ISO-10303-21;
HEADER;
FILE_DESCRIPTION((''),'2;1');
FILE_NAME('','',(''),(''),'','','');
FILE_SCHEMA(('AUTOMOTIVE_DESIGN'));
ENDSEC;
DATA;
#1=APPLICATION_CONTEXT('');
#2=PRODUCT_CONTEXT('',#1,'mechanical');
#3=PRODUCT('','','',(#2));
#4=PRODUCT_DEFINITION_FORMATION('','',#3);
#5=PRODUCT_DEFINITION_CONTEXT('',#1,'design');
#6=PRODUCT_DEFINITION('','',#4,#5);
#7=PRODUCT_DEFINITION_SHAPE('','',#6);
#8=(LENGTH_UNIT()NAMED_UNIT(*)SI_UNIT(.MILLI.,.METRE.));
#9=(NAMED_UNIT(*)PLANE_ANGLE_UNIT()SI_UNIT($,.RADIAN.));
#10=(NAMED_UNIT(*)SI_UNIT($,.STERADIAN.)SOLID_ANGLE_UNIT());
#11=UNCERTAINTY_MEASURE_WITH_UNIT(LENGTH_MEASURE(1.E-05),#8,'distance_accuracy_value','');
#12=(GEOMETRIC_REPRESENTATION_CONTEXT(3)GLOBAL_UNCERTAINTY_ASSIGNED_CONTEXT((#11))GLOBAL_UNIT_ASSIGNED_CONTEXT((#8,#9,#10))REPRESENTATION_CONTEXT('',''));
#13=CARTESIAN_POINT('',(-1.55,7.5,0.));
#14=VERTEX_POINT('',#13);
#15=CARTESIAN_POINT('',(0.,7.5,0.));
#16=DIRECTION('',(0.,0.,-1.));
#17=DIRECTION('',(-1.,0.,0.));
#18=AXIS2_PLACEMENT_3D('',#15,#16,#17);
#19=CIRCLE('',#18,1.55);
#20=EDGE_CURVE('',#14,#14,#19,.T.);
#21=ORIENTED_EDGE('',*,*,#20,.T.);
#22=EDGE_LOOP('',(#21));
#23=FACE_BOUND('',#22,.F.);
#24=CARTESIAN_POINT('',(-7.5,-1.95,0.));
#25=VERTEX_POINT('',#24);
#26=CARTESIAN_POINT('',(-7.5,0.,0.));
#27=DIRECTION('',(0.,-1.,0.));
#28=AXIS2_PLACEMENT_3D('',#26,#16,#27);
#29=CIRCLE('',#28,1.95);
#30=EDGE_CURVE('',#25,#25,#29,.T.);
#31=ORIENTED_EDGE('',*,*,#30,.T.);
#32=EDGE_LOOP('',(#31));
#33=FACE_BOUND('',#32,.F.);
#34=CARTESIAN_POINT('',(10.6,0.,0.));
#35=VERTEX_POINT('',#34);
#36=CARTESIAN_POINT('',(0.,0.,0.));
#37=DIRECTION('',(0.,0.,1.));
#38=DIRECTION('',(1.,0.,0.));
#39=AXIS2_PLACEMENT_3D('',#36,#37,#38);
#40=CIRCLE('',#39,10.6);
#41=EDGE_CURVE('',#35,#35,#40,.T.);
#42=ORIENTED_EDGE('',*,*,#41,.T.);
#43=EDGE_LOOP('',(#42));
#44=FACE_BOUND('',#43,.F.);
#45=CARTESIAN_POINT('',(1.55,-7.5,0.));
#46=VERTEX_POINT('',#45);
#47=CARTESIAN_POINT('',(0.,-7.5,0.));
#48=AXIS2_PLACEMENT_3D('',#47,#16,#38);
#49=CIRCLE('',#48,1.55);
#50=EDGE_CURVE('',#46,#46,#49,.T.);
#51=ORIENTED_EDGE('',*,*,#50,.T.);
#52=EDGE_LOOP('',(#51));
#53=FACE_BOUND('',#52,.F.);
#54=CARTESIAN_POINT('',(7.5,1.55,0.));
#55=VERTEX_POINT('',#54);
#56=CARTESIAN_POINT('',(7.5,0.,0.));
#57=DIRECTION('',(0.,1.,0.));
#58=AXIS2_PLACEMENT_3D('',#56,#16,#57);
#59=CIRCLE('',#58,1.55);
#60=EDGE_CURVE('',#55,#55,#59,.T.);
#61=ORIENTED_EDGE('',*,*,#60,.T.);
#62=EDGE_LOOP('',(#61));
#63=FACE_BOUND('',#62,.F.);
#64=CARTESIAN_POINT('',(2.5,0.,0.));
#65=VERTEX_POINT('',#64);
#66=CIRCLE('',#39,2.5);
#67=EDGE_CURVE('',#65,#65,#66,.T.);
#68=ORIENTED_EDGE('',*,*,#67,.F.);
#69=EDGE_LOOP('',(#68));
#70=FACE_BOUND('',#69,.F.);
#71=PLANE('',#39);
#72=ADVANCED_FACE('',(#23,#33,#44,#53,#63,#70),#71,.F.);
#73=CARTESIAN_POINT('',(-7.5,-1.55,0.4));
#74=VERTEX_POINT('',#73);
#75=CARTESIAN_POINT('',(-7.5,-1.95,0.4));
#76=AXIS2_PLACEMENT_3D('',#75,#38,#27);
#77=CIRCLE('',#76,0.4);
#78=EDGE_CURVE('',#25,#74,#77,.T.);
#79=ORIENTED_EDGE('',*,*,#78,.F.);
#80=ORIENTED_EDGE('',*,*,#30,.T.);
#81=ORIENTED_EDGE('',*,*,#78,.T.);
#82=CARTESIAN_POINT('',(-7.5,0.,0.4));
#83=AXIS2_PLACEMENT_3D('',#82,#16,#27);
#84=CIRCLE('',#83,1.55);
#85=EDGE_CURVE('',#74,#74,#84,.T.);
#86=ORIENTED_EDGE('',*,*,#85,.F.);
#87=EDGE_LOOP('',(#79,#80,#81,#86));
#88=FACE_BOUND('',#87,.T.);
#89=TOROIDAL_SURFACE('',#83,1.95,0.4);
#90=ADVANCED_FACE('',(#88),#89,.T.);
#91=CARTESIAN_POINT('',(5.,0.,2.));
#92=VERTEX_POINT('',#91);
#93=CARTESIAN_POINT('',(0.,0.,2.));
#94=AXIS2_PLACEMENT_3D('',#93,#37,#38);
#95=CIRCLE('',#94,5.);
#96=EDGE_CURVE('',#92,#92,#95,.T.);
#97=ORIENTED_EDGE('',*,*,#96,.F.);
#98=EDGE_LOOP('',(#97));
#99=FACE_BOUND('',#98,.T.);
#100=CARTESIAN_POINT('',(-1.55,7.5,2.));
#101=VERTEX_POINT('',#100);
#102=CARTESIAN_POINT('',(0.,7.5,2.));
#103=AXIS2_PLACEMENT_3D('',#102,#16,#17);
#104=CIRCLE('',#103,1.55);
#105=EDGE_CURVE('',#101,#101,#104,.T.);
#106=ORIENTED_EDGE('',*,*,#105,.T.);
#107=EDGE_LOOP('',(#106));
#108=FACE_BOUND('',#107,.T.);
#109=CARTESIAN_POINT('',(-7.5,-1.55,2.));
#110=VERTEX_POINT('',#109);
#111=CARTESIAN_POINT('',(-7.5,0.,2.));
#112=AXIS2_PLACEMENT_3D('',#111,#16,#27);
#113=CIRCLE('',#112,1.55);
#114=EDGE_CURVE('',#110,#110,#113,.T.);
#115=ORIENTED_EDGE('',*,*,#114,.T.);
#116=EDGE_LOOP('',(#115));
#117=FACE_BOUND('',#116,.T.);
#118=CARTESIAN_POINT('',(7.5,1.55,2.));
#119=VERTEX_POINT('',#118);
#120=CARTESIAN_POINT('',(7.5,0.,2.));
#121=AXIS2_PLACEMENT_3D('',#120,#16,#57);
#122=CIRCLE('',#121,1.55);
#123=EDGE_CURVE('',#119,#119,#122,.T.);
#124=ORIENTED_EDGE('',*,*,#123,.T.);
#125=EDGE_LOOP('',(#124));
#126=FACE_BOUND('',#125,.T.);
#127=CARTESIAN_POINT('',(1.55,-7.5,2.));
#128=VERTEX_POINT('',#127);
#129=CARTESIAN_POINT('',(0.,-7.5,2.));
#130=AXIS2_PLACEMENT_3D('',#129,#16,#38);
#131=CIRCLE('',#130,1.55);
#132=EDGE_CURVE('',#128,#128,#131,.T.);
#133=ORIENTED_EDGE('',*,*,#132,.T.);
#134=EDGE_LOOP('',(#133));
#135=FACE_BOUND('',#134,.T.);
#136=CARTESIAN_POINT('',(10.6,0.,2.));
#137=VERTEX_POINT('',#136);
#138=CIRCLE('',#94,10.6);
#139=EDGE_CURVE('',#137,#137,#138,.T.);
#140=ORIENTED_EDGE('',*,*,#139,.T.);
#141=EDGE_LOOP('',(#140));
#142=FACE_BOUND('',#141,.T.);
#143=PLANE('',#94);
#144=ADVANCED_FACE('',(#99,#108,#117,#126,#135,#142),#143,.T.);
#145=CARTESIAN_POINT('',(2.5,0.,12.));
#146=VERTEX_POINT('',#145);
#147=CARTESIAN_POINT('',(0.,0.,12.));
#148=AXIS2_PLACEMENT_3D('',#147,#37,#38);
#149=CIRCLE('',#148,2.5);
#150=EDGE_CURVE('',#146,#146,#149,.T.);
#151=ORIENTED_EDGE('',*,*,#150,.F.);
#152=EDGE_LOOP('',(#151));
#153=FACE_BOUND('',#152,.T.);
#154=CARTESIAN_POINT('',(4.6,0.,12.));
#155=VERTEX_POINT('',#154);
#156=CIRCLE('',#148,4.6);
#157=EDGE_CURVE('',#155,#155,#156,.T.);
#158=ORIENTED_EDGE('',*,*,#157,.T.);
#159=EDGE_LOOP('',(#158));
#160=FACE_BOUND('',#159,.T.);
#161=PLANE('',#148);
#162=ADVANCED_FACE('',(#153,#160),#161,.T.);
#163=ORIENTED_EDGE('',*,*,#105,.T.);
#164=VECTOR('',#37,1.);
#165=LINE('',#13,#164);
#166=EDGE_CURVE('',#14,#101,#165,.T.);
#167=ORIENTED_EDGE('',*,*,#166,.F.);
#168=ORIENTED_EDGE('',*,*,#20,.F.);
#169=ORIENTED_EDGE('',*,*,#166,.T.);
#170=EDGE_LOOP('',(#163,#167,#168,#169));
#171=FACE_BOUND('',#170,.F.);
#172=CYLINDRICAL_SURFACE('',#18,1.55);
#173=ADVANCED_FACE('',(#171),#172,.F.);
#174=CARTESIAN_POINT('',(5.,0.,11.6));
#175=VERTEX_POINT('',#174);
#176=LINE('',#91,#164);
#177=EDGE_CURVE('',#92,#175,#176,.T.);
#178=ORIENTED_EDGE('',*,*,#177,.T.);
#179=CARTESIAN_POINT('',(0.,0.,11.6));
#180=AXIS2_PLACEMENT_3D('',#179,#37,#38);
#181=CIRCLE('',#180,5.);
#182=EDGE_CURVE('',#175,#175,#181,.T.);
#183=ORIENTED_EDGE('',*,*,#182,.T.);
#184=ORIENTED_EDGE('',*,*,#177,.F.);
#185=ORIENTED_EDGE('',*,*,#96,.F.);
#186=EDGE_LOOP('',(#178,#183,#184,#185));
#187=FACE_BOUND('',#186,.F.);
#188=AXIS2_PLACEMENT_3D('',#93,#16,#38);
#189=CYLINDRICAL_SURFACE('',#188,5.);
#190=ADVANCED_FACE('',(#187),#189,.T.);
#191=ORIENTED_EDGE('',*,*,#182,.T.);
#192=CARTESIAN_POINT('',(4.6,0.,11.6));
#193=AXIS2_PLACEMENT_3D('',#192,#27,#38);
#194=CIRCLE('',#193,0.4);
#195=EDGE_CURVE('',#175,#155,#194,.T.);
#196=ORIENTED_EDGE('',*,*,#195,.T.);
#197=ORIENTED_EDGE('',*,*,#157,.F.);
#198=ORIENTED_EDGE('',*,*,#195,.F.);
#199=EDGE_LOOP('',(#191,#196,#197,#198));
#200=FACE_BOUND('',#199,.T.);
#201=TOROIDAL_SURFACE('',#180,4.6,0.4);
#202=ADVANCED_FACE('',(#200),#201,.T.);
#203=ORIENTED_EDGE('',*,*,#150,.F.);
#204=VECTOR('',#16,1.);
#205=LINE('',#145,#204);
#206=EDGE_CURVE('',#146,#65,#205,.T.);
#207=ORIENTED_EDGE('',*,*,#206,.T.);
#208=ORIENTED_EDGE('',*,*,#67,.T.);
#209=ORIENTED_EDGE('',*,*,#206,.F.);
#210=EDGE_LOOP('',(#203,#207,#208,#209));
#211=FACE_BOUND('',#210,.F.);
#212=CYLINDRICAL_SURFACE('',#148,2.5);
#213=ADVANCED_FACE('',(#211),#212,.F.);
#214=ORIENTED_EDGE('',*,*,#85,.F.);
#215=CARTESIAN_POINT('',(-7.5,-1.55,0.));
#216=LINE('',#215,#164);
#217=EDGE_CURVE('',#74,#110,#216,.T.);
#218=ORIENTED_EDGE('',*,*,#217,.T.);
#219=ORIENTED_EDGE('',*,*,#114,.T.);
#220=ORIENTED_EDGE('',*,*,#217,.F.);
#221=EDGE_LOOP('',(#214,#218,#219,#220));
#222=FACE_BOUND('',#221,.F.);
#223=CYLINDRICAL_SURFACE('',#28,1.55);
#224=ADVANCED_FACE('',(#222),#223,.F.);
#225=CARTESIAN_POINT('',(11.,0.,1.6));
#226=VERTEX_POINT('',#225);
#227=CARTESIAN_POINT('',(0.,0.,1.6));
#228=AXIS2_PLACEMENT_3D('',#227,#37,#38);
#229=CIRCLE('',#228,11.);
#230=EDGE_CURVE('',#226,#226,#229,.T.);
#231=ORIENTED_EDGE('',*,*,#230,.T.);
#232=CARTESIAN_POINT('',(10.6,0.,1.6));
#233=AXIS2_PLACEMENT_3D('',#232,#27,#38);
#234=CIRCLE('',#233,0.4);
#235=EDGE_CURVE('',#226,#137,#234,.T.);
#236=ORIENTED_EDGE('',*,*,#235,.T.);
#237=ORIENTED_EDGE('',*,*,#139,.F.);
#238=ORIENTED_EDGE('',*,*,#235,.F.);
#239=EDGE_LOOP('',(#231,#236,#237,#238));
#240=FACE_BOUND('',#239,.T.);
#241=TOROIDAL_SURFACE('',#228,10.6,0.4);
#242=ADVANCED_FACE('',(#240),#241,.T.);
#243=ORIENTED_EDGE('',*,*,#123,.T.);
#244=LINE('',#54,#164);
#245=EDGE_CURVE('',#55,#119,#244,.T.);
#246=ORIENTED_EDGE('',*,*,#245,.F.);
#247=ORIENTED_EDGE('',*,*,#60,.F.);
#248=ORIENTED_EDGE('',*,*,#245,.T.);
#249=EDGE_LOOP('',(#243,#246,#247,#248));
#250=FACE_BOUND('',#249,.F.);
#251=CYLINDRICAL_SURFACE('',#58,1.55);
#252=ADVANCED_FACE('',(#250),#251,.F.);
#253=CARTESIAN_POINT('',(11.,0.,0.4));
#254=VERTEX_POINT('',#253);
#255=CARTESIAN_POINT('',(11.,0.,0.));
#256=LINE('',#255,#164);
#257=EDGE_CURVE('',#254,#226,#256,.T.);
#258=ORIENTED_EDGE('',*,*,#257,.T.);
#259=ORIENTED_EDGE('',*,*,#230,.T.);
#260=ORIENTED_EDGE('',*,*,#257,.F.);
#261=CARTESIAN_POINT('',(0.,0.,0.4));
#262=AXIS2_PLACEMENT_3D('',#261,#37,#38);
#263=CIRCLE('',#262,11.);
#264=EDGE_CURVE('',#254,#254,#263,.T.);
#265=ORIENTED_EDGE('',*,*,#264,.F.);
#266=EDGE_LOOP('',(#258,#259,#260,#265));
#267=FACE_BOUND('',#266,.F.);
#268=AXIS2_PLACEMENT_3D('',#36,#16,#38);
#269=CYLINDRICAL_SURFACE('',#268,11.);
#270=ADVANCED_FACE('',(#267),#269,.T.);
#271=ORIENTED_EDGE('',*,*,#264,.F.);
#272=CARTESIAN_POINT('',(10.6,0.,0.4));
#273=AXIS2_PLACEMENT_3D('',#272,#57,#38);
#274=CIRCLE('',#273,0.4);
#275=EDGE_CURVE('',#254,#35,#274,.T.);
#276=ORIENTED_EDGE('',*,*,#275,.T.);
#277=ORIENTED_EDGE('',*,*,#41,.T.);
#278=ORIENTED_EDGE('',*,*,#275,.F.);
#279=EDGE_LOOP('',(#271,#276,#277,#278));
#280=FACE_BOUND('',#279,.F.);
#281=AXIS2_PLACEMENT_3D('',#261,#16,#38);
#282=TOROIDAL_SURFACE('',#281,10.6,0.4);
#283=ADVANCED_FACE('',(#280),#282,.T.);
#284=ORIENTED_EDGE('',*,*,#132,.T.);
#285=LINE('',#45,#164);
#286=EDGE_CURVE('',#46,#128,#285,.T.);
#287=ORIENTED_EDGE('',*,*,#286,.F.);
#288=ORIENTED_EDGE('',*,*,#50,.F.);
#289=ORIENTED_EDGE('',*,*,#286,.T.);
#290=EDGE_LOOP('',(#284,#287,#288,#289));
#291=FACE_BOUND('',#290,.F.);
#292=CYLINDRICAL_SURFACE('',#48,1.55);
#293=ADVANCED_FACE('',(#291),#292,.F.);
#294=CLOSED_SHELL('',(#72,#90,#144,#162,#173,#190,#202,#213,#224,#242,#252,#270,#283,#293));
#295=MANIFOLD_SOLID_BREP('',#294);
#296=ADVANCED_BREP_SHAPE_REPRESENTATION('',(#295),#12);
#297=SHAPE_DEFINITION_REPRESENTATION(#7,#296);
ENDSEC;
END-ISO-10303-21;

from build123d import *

# Parameters (mm, degrees)
SKETCH_R           = 11
PAD_DEPTH          = 2
SKETCH001_R        = 5
PAD001_DEPTH       = 10
SKETCH002_R        = 2.5
POCKET_DEPTH       = 12.001
SKETCH003_R        = 1.55
POCKET001_DEPTH    = 78.694328
POLARPATTERN_COUNT = 4
FILLET_R           = 0.4


with BuildPart() as part:
    # Sketch → Pad (new body)
    with BuildSketch(Plane.XY):
        Circle(SKETCH_R)
    extrude(amount=PAD_DEPTH)

    # Sketch001 (on Face3 of Pad) → Pad001 (join)
    with BuildSketch(Plane.XY.offset(2)):
        Circle(SKETCH001_R)
    extrude(amount=PAD001_DEPTH)

    # Sketch002 (on Face5 of Pad001) → Pocket (cut, through all)
    with BuildSketch(Plane.XY.offset(12)):
        Circle(SKETCH002_R)
    extrude(amount=-POCKET_DEPTH, mode=Mode.SUBTRACT)

    # Sketch003 (on Face2 of Pocket) → Pocket001 (cut, through all)
    with BuildSketch(Plane(origin=(0, 0, 0), x_dir=(1, 0, 0), z_dir=(0, 0, -1))):
        with Locations((0, 7.5)):
            Circle(SKETCH003_R)
    pocket001 = extrude(amount=-POCKET001_DEPTH, mode=Mode.SUBTRACT)

    # PolarPattern: Pocket001 ×4 about axis
    polarpattern_axis = Axis((0, 0, 0), (0, 0, -1))
    for i in range(1, POLARPATTERN_COUNT):
        add(pocket001.rotate(polarpattern_axis, i * 360 / POLARPATTERN_COUNT), mode=Mode.SUBTRACT)

    # Fillet
    fillet_edges = [part.edges().sort_by_distance(p)[0] for p in [
        (-5, 0, 12),
        (-7.5, -1.55, 1),
        (-11, 0, 2),
        (-11, 0, 0),
        (-7.5, 1.55, 0),
    ]]
    fillet(fillet_edges, radius=FILLET_R)


solid = part.part
